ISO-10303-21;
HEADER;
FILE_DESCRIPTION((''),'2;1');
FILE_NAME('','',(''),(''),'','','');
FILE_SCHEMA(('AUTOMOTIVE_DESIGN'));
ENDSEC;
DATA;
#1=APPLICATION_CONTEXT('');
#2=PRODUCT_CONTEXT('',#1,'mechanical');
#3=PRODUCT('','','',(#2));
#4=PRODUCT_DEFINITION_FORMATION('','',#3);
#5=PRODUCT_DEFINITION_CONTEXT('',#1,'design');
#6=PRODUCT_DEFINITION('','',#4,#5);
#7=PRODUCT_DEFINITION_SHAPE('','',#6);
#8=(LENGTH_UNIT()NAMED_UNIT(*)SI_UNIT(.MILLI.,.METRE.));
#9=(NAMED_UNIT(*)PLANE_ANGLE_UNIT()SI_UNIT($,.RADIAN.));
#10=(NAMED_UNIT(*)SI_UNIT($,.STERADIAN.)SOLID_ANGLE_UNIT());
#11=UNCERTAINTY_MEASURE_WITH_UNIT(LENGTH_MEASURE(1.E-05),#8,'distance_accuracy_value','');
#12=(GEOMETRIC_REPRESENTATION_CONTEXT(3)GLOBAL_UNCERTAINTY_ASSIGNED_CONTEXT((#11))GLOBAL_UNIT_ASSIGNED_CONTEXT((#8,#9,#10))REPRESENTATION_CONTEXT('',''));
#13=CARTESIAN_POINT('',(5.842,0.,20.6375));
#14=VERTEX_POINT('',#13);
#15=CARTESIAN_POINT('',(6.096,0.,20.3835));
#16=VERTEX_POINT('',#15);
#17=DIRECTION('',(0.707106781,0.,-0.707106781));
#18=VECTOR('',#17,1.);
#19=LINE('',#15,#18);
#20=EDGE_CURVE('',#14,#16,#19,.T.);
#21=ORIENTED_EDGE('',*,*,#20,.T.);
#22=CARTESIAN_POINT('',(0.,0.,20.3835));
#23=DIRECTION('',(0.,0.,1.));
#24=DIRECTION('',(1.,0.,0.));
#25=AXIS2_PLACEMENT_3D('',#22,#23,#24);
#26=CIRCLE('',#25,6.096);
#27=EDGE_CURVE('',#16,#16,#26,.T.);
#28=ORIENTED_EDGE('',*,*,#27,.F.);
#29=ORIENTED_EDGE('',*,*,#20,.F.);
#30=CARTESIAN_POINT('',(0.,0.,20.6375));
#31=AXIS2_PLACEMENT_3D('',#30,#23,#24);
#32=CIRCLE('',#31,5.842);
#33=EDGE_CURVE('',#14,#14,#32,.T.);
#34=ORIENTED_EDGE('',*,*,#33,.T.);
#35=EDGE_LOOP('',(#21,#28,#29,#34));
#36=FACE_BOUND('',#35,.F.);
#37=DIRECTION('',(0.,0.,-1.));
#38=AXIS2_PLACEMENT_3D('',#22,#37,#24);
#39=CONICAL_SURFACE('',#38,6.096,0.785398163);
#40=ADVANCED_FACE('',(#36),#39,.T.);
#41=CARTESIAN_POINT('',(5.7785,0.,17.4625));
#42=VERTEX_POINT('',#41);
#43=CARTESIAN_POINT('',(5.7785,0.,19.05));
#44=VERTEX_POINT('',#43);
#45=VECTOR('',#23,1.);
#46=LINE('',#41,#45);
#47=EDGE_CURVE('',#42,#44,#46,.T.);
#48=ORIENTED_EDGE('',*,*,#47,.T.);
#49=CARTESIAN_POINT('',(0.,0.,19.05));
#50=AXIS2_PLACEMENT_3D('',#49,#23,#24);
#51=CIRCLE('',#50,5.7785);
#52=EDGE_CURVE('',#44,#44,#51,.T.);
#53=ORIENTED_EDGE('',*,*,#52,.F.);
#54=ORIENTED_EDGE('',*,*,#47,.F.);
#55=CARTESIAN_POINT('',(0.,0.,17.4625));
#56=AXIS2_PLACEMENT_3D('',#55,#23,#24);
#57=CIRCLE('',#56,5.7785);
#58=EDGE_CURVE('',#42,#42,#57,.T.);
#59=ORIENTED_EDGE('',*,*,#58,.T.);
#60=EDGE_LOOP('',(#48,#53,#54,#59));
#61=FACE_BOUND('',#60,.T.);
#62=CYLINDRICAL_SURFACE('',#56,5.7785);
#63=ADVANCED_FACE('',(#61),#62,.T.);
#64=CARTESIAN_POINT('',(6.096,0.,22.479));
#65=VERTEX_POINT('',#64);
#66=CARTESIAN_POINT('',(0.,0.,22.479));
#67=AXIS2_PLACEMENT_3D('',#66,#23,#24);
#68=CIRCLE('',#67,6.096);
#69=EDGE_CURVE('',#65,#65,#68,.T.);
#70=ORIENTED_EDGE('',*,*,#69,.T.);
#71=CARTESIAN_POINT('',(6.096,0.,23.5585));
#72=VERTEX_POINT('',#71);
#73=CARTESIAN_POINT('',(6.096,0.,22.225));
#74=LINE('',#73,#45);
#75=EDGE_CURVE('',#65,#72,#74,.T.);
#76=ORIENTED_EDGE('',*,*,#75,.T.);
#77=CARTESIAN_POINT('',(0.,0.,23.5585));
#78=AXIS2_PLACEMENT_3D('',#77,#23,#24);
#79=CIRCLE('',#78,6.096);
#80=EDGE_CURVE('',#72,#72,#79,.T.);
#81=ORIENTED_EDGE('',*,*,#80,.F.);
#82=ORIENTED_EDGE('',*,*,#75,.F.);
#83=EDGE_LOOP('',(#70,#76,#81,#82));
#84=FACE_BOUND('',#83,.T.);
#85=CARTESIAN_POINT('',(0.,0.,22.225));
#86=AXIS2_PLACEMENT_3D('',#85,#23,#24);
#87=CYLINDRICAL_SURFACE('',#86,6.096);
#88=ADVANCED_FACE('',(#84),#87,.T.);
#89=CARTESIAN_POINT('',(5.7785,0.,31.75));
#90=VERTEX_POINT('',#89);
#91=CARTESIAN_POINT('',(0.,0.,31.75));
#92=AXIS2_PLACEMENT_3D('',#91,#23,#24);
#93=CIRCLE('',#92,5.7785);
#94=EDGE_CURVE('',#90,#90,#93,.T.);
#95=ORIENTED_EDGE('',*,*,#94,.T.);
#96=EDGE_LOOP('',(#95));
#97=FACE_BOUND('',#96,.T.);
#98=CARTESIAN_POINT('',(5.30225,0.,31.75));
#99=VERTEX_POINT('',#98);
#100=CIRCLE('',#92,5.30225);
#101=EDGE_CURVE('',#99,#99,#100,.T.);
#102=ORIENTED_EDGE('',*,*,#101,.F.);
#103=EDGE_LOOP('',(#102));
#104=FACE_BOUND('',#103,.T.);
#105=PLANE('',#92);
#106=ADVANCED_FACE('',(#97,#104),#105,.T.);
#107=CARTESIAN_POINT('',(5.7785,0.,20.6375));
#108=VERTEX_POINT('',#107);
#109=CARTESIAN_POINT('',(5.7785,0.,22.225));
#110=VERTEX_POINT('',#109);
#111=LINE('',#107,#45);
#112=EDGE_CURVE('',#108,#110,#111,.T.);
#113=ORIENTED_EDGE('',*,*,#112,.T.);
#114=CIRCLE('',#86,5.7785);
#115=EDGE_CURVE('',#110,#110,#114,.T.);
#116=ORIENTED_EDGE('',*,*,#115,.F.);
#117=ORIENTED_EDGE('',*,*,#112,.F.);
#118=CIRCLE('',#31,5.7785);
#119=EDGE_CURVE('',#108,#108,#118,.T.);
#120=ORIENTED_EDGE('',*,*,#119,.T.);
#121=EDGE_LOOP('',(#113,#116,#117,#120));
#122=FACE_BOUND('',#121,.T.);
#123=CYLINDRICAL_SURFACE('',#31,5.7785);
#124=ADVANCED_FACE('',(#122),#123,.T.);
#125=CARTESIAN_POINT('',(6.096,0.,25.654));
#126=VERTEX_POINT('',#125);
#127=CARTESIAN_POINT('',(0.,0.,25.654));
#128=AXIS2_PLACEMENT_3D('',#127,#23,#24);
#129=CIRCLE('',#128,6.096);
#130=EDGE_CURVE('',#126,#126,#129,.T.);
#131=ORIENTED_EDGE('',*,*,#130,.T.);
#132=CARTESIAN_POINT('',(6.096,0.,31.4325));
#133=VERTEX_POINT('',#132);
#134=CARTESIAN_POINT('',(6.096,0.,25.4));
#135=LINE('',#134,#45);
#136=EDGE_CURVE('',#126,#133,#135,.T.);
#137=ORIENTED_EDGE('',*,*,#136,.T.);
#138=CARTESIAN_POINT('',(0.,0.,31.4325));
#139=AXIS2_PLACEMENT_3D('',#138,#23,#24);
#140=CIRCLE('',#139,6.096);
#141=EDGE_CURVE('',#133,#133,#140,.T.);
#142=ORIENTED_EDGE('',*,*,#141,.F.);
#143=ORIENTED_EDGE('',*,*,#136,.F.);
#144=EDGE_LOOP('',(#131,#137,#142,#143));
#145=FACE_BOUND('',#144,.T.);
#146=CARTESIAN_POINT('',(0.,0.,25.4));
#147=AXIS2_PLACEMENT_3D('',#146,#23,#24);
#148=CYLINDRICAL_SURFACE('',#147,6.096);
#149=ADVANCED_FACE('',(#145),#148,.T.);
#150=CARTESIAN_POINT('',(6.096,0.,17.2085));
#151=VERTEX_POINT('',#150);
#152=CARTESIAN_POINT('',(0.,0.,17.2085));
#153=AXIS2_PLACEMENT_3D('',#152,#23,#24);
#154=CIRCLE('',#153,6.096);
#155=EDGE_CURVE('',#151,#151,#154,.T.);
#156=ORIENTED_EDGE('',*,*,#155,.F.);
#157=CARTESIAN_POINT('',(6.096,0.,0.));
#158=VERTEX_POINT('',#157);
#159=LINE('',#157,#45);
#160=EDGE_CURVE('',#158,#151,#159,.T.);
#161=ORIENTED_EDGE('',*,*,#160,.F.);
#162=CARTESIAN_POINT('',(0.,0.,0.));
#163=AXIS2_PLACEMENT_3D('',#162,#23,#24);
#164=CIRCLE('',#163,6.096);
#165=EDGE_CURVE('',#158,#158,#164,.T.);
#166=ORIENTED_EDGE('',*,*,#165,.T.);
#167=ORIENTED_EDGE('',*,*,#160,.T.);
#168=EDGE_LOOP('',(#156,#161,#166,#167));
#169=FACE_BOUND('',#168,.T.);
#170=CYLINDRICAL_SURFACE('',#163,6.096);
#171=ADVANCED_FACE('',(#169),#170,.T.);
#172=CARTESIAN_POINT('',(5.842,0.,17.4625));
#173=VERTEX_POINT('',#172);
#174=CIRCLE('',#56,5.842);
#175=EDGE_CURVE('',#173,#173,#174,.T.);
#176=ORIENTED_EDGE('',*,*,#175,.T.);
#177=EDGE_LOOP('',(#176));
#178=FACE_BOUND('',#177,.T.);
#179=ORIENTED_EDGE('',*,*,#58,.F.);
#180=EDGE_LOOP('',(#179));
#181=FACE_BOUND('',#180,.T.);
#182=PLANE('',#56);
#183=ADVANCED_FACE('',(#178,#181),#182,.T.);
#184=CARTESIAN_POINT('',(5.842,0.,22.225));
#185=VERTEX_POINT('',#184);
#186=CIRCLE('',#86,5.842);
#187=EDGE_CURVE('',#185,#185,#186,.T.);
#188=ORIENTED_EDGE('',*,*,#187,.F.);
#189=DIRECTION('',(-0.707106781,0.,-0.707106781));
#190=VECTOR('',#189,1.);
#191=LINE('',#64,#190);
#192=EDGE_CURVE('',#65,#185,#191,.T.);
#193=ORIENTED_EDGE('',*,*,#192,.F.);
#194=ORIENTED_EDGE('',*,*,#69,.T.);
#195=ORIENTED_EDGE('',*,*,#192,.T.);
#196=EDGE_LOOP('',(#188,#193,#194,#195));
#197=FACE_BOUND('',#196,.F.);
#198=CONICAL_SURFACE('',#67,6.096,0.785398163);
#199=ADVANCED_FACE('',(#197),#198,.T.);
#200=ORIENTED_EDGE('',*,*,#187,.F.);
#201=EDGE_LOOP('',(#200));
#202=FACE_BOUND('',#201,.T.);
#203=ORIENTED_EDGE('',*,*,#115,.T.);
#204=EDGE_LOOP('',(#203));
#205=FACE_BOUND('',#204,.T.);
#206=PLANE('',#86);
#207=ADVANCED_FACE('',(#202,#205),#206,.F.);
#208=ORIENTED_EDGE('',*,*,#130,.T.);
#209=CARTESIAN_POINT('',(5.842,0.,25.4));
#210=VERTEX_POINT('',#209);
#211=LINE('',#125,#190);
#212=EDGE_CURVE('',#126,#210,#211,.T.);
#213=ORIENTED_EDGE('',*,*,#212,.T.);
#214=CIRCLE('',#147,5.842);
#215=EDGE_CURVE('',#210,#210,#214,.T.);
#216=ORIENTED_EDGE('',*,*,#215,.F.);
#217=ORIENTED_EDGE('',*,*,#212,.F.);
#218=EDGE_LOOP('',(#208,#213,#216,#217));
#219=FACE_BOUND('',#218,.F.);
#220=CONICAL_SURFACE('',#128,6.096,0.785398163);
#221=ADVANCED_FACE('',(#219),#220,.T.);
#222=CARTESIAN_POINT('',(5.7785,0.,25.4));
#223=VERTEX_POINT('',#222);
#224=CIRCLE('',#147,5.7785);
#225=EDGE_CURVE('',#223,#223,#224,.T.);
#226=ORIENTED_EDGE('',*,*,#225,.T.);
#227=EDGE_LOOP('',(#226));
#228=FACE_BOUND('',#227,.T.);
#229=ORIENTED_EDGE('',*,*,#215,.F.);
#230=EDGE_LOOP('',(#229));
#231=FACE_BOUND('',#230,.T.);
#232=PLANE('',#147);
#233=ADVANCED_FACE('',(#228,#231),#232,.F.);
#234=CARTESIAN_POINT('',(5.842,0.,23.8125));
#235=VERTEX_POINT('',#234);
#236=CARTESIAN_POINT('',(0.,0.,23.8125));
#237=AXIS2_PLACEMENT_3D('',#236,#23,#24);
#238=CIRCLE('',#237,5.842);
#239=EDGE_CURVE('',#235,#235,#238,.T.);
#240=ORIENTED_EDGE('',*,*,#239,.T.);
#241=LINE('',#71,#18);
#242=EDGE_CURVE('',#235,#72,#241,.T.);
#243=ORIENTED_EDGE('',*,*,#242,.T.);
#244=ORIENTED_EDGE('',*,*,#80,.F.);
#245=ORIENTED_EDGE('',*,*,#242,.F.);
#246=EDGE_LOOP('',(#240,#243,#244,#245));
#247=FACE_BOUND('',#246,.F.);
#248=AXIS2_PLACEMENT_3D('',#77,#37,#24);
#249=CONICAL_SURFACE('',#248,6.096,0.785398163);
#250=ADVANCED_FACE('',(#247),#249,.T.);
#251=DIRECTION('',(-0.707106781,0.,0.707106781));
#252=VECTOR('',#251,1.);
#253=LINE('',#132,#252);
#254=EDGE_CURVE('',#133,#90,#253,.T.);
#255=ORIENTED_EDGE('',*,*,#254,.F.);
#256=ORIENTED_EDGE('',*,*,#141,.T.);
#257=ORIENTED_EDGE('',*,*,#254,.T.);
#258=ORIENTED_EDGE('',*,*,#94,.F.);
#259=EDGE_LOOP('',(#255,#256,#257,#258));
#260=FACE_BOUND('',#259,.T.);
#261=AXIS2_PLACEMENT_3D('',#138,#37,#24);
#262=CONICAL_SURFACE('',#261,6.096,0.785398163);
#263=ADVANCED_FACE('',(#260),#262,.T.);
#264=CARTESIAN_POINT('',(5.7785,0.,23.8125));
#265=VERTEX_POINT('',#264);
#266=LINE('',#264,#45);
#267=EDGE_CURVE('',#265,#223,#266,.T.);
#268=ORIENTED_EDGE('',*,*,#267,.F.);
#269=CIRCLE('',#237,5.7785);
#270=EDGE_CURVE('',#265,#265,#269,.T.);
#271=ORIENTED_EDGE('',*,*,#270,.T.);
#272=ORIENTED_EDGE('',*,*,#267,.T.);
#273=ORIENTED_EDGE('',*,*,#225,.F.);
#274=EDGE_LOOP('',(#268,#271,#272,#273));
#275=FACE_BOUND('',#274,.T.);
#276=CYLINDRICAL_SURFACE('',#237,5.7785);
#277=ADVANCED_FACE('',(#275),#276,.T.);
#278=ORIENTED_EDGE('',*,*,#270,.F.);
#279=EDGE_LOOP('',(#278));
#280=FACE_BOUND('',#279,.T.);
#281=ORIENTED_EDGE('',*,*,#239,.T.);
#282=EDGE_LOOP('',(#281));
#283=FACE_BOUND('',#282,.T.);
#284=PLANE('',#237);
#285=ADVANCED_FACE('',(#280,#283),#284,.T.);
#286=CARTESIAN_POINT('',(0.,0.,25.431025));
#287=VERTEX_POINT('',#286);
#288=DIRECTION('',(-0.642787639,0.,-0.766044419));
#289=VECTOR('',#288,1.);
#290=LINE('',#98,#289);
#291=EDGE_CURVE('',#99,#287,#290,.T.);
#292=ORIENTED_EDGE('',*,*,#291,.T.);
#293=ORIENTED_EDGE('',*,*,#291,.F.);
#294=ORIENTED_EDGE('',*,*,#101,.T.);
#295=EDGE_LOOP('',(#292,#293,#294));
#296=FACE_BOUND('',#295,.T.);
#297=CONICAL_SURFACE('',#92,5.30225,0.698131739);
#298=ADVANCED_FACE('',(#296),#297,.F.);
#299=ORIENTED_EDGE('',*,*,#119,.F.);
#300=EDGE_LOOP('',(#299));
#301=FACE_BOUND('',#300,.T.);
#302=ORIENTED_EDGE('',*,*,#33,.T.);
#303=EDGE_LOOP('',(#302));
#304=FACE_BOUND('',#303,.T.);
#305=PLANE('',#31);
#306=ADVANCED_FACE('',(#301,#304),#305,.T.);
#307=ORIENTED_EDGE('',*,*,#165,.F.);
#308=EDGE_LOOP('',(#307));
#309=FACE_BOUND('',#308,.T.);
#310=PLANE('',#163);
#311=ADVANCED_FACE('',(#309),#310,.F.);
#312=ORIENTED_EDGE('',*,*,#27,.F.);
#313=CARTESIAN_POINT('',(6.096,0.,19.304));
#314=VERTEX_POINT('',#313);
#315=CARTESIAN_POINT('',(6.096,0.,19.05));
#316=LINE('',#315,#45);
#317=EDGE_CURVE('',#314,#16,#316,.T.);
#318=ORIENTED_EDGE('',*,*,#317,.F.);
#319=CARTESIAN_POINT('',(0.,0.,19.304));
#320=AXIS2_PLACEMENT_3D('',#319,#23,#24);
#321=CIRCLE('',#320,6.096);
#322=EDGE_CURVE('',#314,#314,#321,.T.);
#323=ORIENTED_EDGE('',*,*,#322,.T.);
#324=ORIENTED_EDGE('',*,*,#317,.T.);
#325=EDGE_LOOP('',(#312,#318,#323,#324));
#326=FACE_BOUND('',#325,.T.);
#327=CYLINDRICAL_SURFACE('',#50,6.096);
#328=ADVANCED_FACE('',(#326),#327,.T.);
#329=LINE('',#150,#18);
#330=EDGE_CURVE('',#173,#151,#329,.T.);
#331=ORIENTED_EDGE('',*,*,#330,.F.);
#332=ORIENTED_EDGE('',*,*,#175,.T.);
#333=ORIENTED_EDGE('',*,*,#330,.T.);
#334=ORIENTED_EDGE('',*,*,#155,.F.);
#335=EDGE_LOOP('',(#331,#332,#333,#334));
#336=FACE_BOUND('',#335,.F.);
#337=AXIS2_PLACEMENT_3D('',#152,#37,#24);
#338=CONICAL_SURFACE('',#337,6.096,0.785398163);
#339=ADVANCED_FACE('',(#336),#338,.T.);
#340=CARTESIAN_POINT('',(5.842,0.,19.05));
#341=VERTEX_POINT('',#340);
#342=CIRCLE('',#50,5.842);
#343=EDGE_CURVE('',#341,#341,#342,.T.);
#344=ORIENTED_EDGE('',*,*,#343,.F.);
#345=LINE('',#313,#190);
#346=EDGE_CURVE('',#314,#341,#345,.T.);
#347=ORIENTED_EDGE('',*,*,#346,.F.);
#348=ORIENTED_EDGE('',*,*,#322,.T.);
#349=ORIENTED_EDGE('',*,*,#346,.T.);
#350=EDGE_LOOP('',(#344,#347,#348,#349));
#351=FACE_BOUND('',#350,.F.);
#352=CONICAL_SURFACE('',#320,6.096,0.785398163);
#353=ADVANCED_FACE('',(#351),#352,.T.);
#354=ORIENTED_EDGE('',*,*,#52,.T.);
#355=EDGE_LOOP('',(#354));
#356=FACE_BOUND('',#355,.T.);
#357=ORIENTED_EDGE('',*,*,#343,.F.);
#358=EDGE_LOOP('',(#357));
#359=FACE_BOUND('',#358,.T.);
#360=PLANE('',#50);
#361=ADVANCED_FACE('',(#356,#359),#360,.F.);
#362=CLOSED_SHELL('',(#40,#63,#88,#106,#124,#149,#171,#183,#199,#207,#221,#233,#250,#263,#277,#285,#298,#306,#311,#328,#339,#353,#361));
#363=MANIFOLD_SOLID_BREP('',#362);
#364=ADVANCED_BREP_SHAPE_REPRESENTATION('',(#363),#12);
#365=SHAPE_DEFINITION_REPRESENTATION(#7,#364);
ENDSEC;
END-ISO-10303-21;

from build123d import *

# Parameters (mm, degrees)
F2_SIZE = 0.3175
F3_SIZE = 0.254


with BuildPart() as f1:
    # F0 (on Front) → F1 (revolve)
    with BuildSketch(Plane.XZ):
        Polygon((6.096, 25.4), (6.096, 31.75), (5.30225, 31.75), (0, 25.431025), (0, 0), (6.096, 0), (6.096, 17.4625), (5.7785, 17.4625), (5.7785, 19.05), (6.096, 19.05), (6.096, 20.6375), (5.7785, 20.6375), (5.7785, 22.225), (6.096, 22.225), (6.096, 23.8125), (5.7785, 23.8125), (5.7785, 25.4), align=None)
    revolve(axis=Axis((0, 0, 12.715512), (0, 0, 1)))

    # F2
    f2_edges = [f1.edges().sort_by_distance(p)[0] for p in [
        (-6.096, 0, 31.75),
    ]]
    chamfer(f2_edges, length=F2_SIZE)

    # F3
    f3_edges = [f1.edges().sort_by_distance(p)[0] for p in [
        (-6.096, 0, 25.4),
        (-6.096, 0, 23.8125),
        (-6.096, 0, 22.225),
        (-6.096, 0, 20.6375),
        (-6.096, 0, 19.05),
        (-6.096, 0, 17.4625),
    ]]
    chamfer(f3_edges, length=F3_SIZE)


solid = f1.part
